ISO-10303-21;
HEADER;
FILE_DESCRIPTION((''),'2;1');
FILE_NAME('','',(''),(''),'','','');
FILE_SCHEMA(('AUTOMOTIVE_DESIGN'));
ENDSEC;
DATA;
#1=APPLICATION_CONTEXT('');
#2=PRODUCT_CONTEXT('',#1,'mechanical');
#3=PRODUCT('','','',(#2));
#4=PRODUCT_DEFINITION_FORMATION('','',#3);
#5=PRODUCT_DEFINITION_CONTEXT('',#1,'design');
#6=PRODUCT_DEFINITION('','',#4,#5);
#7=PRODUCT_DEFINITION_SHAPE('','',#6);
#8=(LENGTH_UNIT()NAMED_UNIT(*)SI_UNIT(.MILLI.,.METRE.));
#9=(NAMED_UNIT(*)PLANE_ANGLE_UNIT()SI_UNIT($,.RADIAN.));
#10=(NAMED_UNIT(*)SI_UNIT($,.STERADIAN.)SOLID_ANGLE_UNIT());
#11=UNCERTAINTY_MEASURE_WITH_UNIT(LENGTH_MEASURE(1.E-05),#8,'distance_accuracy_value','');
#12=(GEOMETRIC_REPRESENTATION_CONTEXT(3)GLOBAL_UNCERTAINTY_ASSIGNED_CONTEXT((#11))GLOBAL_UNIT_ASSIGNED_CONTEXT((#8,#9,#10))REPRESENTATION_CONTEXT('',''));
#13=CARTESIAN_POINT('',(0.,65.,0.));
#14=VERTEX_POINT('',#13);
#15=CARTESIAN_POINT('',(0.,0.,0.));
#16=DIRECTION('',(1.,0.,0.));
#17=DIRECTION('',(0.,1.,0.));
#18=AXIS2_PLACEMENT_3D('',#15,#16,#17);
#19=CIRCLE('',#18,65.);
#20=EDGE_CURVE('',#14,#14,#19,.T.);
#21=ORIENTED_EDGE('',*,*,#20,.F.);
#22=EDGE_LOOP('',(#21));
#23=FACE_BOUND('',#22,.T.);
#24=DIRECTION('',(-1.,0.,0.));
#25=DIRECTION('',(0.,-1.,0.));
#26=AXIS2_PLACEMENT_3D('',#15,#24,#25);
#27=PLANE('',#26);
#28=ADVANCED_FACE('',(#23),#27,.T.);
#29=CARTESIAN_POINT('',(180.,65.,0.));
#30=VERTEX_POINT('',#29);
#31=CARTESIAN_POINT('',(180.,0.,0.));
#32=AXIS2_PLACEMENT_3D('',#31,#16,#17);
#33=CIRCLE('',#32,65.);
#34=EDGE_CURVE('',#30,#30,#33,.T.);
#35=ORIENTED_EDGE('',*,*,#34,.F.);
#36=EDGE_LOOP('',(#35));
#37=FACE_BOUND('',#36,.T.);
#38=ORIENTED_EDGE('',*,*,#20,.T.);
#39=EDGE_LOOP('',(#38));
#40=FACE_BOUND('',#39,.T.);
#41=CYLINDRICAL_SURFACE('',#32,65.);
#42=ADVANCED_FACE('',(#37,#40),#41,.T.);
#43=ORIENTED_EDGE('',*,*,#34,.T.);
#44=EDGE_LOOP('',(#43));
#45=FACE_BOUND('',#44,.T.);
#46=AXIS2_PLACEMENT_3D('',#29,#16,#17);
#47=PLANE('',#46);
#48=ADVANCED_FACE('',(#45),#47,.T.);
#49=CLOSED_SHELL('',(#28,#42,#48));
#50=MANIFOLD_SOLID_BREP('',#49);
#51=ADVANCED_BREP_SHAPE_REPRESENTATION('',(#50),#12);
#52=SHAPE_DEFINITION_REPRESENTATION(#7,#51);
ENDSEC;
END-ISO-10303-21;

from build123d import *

# Parameters (mm, degrees)
SKETCH1_W = 180
SKETCH1_H = 65


with BuildPart() as part:
    # Sketch1 → Revolve1 (revolve)
    with BuildSketch(Plane.XY):
        with Locations((90, 32.5)):
            Rectangle(SKETCH1_W, SKETCH1_H)
    revolve(axis=Axis((180, 0, 0), (-1, 0, 0)))


solid = part.part
